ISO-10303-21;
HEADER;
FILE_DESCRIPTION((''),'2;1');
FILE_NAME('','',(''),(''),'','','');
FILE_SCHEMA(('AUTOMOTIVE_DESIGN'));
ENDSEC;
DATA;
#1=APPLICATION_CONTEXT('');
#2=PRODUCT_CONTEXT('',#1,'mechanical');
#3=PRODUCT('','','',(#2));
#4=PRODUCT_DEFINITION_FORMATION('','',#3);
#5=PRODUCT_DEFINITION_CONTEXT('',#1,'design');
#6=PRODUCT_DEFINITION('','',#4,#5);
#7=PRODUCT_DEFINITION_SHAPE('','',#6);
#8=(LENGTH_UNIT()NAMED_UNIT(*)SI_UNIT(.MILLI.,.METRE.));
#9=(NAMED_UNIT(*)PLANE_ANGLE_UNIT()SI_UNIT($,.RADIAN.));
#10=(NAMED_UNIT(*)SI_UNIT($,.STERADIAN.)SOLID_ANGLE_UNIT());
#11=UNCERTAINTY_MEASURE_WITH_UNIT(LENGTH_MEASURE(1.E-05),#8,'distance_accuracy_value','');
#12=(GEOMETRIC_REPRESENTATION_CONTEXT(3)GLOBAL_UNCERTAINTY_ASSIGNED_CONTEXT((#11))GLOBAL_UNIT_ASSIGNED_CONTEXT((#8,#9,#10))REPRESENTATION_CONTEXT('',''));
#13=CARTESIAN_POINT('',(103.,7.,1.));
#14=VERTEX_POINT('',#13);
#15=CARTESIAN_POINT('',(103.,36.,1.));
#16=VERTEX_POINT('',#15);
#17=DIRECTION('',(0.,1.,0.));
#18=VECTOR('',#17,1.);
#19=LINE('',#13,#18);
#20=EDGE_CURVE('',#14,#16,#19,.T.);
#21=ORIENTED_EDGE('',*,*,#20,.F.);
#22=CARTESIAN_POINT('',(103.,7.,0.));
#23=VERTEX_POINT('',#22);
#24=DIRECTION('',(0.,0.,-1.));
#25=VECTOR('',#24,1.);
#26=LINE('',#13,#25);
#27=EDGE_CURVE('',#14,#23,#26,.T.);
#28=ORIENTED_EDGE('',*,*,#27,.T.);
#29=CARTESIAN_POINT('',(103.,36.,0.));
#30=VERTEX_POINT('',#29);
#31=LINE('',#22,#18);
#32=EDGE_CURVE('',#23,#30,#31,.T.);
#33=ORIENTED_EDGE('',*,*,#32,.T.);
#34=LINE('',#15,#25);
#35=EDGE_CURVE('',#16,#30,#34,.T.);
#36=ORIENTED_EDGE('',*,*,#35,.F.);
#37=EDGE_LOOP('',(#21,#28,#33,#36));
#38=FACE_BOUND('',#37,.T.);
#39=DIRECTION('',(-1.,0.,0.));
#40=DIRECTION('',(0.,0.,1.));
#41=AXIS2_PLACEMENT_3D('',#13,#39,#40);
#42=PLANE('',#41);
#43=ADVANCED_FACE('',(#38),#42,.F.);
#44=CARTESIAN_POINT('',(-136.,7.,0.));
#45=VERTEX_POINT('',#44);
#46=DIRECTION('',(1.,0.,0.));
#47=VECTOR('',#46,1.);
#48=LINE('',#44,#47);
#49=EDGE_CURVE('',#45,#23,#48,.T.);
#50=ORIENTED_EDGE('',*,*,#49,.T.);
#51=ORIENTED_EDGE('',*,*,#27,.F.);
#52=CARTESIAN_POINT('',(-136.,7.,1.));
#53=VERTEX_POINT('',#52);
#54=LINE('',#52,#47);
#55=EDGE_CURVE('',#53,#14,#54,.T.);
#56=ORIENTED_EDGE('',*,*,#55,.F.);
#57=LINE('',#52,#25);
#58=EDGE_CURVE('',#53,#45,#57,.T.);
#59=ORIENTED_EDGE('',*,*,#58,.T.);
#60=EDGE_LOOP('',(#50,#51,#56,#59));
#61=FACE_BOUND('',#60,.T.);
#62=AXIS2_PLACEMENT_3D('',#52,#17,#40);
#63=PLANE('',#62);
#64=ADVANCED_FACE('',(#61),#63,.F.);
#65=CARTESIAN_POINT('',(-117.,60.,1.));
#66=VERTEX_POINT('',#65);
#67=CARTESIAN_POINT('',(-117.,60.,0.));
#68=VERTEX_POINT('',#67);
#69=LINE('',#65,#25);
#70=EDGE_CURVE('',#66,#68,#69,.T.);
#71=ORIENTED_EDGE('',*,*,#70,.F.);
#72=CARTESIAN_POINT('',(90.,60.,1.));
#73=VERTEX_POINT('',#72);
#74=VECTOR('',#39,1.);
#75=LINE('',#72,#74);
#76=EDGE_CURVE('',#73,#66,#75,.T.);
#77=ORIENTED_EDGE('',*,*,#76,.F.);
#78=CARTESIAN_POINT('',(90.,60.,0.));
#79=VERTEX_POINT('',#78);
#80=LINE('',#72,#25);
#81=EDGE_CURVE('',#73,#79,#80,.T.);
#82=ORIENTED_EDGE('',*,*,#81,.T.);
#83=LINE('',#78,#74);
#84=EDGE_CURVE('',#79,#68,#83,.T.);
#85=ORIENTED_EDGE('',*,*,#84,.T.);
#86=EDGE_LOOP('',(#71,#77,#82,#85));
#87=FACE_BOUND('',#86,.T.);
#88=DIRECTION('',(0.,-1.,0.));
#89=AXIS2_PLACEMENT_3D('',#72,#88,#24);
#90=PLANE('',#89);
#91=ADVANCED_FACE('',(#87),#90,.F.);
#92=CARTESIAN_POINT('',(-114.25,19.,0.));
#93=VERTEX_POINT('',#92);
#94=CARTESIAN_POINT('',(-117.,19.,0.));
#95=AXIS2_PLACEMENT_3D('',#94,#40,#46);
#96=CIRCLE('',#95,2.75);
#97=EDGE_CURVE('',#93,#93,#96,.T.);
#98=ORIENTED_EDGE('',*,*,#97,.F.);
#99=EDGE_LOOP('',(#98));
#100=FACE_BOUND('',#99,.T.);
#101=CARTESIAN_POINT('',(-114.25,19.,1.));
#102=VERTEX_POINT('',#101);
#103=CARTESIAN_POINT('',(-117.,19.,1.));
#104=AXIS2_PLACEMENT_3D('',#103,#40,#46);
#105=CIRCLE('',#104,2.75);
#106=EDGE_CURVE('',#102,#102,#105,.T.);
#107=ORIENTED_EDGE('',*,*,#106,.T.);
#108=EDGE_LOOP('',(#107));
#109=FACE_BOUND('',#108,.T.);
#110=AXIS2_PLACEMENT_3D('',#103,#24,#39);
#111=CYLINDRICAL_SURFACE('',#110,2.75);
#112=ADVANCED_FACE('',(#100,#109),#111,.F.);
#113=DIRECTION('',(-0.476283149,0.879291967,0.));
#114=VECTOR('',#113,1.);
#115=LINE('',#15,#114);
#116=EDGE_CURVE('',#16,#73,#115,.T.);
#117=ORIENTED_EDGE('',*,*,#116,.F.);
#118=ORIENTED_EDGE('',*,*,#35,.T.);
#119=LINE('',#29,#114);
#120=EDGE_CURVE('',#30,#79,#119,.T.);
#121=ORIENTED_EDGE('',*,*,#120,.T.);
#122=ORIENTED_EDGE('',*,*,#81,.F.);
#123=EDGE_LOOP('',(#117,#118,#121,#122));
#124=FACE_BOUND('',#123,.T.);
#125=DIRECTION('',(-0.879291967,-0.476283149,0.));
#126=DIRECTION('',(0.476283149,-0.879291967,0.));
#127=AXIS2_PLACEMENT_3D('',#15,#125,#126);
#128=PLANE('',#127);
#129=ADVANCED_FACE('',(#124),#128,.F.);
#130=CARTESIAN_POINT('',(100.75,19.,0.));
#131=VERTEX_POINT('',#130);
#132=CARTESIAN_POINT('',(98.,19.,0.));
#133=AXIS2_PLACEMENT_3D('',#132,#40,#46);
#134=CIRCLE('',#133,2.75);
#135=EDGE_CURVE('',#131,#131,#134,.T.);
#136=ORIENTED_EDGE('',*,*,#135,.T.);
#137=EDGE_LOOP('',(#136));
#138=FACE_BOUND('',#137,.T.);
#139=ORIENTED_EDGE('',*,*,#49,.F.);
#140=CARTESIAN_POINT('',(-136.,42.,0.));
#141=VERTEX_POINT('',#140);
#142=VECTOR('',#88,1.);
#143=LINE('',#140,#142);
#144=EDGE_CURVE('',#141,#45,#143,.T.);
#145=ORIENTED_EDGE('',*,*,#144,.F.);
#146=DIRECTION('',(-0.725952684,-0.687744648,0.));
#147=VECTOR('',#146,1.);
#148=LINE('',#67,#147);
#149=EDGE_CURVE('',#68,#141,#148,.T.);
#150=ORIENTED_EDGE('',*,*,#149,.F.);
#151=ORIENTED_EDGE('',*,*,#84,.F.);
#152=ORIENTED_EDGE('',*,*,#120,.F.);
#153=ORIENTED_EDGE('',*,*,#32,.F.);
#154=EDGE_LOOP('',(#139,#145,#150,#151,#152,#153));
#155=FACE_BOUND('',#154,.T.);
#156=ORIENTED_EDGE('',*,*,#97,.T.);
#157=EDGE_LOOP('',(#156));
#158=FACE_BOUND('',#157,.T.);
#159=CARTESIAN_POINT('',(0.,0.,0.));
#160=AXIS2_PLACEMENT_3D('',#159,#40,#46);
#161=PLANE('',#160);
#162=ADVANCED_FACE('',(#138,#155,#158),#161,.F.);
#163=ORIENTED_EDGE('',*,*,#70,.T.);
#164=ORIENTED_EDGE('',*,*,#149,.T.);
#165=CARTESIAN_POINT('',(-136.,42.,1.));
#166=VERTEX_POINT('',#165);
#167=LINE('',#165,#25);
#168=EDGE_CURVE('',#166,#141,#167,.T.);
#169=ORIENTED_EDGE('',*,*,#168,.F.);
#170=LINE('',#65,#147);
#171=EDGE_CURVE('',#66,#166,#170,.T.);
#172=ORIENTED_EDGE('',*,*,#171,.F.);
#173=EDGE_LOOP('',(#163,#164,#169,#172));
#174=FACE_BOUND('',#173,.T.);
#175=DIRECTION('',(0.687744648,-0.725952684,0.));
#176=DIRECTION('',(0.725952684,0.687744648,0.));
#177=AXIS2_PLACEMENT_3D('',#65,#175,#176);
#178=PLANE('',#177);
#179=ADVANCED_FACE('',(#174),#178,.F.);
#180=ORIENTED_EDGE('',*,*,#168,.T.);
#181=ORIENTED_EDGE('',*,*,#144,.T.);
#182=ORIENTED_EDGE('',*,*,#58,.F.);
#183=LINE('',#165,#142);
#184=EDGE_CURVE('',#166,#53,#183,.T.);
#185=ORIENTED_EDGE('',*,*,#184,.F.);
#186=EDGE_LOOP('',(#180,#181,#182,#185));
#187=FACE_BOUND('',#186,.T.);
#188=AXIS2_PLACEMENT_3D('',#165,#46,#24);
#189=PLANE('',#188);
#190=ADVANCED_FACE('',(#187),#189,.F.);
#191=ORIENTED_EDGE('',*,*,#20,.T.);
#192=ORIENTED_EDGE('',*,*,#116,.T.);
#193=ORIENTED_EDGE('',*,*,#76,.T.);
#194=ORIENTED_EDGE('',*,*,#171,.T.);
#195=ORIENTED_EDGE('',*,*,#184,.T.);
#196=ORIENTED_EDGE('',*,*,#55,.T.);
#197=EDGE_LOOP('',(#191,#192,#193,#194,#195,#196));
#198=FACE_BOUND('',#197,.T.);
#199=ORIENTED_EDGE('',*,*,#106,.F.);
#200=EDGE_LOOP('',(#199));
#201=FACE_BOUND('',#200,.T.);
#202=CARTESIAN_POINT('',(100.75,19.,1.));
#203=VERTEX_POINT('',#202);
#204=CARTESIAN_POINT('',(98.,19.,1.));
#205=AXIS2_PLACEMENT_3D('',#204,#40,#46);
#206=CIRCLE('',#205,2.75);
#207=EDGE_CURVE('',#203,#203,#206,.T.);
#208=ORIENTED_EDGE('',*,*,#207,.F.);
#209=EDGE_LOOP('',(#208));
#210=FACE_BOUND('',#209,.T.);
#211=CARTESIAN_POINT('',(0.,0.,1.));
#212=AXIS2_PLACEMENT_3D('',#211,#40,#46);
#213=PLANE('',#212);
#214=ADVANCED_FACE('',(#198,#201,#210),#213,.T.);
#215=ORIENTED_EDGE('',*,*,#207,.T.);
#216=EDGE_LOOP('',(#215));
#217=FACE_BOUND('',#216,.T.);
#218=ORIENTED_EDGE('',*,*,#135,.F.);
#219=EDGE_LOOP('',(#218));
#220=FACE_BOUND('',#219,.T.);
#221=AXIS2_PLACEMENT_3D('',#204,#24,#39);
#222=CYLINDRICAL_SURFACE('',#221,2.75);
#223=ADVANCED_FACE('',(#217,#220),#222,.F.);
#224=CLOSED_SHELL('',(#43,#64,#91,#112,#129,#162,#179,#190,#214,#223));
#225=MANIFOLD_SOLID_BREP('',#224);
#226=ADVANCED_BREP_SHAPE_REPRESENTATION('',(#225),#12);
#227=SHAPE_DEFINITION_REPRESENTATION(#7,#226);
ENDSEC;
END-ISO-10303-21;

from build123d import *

# Parameters (mm, degrees)
SIDE_WALL_WITH_M5_ATTACHMENTS_PROFILE_R = 2.75
SIDE_WALL_WITH_M5_ATTACHMENTS_DEPTH     = 1


with BuildPart() as part:
    # Side wall with M5 attachments profile → Side wall with M5 attachments (new body)
    with BuildSketch(Plane.XY):
        Polygon((-136, 7), (103, 7), (103, 36), (90, 60), (-117, 60), (-136, 42), align=None)
        with Locations((-117, 19)):
            Circle(SIDE_WALL_WITH_M5_ATTACHMENTS_PROFILE_R, mode=Mode.SUBTRACT)
        with Locations((98, 19)):
            Circle(SIDE_WALL_WITH_M5_ATTACHMENTS_PROFILE_R, mode=Mode.SUBTRACT)
    extrude(amount=SIDE_WALL_WITH_M5_ATTACHMENTS_DEPTH)


solid = part.part
